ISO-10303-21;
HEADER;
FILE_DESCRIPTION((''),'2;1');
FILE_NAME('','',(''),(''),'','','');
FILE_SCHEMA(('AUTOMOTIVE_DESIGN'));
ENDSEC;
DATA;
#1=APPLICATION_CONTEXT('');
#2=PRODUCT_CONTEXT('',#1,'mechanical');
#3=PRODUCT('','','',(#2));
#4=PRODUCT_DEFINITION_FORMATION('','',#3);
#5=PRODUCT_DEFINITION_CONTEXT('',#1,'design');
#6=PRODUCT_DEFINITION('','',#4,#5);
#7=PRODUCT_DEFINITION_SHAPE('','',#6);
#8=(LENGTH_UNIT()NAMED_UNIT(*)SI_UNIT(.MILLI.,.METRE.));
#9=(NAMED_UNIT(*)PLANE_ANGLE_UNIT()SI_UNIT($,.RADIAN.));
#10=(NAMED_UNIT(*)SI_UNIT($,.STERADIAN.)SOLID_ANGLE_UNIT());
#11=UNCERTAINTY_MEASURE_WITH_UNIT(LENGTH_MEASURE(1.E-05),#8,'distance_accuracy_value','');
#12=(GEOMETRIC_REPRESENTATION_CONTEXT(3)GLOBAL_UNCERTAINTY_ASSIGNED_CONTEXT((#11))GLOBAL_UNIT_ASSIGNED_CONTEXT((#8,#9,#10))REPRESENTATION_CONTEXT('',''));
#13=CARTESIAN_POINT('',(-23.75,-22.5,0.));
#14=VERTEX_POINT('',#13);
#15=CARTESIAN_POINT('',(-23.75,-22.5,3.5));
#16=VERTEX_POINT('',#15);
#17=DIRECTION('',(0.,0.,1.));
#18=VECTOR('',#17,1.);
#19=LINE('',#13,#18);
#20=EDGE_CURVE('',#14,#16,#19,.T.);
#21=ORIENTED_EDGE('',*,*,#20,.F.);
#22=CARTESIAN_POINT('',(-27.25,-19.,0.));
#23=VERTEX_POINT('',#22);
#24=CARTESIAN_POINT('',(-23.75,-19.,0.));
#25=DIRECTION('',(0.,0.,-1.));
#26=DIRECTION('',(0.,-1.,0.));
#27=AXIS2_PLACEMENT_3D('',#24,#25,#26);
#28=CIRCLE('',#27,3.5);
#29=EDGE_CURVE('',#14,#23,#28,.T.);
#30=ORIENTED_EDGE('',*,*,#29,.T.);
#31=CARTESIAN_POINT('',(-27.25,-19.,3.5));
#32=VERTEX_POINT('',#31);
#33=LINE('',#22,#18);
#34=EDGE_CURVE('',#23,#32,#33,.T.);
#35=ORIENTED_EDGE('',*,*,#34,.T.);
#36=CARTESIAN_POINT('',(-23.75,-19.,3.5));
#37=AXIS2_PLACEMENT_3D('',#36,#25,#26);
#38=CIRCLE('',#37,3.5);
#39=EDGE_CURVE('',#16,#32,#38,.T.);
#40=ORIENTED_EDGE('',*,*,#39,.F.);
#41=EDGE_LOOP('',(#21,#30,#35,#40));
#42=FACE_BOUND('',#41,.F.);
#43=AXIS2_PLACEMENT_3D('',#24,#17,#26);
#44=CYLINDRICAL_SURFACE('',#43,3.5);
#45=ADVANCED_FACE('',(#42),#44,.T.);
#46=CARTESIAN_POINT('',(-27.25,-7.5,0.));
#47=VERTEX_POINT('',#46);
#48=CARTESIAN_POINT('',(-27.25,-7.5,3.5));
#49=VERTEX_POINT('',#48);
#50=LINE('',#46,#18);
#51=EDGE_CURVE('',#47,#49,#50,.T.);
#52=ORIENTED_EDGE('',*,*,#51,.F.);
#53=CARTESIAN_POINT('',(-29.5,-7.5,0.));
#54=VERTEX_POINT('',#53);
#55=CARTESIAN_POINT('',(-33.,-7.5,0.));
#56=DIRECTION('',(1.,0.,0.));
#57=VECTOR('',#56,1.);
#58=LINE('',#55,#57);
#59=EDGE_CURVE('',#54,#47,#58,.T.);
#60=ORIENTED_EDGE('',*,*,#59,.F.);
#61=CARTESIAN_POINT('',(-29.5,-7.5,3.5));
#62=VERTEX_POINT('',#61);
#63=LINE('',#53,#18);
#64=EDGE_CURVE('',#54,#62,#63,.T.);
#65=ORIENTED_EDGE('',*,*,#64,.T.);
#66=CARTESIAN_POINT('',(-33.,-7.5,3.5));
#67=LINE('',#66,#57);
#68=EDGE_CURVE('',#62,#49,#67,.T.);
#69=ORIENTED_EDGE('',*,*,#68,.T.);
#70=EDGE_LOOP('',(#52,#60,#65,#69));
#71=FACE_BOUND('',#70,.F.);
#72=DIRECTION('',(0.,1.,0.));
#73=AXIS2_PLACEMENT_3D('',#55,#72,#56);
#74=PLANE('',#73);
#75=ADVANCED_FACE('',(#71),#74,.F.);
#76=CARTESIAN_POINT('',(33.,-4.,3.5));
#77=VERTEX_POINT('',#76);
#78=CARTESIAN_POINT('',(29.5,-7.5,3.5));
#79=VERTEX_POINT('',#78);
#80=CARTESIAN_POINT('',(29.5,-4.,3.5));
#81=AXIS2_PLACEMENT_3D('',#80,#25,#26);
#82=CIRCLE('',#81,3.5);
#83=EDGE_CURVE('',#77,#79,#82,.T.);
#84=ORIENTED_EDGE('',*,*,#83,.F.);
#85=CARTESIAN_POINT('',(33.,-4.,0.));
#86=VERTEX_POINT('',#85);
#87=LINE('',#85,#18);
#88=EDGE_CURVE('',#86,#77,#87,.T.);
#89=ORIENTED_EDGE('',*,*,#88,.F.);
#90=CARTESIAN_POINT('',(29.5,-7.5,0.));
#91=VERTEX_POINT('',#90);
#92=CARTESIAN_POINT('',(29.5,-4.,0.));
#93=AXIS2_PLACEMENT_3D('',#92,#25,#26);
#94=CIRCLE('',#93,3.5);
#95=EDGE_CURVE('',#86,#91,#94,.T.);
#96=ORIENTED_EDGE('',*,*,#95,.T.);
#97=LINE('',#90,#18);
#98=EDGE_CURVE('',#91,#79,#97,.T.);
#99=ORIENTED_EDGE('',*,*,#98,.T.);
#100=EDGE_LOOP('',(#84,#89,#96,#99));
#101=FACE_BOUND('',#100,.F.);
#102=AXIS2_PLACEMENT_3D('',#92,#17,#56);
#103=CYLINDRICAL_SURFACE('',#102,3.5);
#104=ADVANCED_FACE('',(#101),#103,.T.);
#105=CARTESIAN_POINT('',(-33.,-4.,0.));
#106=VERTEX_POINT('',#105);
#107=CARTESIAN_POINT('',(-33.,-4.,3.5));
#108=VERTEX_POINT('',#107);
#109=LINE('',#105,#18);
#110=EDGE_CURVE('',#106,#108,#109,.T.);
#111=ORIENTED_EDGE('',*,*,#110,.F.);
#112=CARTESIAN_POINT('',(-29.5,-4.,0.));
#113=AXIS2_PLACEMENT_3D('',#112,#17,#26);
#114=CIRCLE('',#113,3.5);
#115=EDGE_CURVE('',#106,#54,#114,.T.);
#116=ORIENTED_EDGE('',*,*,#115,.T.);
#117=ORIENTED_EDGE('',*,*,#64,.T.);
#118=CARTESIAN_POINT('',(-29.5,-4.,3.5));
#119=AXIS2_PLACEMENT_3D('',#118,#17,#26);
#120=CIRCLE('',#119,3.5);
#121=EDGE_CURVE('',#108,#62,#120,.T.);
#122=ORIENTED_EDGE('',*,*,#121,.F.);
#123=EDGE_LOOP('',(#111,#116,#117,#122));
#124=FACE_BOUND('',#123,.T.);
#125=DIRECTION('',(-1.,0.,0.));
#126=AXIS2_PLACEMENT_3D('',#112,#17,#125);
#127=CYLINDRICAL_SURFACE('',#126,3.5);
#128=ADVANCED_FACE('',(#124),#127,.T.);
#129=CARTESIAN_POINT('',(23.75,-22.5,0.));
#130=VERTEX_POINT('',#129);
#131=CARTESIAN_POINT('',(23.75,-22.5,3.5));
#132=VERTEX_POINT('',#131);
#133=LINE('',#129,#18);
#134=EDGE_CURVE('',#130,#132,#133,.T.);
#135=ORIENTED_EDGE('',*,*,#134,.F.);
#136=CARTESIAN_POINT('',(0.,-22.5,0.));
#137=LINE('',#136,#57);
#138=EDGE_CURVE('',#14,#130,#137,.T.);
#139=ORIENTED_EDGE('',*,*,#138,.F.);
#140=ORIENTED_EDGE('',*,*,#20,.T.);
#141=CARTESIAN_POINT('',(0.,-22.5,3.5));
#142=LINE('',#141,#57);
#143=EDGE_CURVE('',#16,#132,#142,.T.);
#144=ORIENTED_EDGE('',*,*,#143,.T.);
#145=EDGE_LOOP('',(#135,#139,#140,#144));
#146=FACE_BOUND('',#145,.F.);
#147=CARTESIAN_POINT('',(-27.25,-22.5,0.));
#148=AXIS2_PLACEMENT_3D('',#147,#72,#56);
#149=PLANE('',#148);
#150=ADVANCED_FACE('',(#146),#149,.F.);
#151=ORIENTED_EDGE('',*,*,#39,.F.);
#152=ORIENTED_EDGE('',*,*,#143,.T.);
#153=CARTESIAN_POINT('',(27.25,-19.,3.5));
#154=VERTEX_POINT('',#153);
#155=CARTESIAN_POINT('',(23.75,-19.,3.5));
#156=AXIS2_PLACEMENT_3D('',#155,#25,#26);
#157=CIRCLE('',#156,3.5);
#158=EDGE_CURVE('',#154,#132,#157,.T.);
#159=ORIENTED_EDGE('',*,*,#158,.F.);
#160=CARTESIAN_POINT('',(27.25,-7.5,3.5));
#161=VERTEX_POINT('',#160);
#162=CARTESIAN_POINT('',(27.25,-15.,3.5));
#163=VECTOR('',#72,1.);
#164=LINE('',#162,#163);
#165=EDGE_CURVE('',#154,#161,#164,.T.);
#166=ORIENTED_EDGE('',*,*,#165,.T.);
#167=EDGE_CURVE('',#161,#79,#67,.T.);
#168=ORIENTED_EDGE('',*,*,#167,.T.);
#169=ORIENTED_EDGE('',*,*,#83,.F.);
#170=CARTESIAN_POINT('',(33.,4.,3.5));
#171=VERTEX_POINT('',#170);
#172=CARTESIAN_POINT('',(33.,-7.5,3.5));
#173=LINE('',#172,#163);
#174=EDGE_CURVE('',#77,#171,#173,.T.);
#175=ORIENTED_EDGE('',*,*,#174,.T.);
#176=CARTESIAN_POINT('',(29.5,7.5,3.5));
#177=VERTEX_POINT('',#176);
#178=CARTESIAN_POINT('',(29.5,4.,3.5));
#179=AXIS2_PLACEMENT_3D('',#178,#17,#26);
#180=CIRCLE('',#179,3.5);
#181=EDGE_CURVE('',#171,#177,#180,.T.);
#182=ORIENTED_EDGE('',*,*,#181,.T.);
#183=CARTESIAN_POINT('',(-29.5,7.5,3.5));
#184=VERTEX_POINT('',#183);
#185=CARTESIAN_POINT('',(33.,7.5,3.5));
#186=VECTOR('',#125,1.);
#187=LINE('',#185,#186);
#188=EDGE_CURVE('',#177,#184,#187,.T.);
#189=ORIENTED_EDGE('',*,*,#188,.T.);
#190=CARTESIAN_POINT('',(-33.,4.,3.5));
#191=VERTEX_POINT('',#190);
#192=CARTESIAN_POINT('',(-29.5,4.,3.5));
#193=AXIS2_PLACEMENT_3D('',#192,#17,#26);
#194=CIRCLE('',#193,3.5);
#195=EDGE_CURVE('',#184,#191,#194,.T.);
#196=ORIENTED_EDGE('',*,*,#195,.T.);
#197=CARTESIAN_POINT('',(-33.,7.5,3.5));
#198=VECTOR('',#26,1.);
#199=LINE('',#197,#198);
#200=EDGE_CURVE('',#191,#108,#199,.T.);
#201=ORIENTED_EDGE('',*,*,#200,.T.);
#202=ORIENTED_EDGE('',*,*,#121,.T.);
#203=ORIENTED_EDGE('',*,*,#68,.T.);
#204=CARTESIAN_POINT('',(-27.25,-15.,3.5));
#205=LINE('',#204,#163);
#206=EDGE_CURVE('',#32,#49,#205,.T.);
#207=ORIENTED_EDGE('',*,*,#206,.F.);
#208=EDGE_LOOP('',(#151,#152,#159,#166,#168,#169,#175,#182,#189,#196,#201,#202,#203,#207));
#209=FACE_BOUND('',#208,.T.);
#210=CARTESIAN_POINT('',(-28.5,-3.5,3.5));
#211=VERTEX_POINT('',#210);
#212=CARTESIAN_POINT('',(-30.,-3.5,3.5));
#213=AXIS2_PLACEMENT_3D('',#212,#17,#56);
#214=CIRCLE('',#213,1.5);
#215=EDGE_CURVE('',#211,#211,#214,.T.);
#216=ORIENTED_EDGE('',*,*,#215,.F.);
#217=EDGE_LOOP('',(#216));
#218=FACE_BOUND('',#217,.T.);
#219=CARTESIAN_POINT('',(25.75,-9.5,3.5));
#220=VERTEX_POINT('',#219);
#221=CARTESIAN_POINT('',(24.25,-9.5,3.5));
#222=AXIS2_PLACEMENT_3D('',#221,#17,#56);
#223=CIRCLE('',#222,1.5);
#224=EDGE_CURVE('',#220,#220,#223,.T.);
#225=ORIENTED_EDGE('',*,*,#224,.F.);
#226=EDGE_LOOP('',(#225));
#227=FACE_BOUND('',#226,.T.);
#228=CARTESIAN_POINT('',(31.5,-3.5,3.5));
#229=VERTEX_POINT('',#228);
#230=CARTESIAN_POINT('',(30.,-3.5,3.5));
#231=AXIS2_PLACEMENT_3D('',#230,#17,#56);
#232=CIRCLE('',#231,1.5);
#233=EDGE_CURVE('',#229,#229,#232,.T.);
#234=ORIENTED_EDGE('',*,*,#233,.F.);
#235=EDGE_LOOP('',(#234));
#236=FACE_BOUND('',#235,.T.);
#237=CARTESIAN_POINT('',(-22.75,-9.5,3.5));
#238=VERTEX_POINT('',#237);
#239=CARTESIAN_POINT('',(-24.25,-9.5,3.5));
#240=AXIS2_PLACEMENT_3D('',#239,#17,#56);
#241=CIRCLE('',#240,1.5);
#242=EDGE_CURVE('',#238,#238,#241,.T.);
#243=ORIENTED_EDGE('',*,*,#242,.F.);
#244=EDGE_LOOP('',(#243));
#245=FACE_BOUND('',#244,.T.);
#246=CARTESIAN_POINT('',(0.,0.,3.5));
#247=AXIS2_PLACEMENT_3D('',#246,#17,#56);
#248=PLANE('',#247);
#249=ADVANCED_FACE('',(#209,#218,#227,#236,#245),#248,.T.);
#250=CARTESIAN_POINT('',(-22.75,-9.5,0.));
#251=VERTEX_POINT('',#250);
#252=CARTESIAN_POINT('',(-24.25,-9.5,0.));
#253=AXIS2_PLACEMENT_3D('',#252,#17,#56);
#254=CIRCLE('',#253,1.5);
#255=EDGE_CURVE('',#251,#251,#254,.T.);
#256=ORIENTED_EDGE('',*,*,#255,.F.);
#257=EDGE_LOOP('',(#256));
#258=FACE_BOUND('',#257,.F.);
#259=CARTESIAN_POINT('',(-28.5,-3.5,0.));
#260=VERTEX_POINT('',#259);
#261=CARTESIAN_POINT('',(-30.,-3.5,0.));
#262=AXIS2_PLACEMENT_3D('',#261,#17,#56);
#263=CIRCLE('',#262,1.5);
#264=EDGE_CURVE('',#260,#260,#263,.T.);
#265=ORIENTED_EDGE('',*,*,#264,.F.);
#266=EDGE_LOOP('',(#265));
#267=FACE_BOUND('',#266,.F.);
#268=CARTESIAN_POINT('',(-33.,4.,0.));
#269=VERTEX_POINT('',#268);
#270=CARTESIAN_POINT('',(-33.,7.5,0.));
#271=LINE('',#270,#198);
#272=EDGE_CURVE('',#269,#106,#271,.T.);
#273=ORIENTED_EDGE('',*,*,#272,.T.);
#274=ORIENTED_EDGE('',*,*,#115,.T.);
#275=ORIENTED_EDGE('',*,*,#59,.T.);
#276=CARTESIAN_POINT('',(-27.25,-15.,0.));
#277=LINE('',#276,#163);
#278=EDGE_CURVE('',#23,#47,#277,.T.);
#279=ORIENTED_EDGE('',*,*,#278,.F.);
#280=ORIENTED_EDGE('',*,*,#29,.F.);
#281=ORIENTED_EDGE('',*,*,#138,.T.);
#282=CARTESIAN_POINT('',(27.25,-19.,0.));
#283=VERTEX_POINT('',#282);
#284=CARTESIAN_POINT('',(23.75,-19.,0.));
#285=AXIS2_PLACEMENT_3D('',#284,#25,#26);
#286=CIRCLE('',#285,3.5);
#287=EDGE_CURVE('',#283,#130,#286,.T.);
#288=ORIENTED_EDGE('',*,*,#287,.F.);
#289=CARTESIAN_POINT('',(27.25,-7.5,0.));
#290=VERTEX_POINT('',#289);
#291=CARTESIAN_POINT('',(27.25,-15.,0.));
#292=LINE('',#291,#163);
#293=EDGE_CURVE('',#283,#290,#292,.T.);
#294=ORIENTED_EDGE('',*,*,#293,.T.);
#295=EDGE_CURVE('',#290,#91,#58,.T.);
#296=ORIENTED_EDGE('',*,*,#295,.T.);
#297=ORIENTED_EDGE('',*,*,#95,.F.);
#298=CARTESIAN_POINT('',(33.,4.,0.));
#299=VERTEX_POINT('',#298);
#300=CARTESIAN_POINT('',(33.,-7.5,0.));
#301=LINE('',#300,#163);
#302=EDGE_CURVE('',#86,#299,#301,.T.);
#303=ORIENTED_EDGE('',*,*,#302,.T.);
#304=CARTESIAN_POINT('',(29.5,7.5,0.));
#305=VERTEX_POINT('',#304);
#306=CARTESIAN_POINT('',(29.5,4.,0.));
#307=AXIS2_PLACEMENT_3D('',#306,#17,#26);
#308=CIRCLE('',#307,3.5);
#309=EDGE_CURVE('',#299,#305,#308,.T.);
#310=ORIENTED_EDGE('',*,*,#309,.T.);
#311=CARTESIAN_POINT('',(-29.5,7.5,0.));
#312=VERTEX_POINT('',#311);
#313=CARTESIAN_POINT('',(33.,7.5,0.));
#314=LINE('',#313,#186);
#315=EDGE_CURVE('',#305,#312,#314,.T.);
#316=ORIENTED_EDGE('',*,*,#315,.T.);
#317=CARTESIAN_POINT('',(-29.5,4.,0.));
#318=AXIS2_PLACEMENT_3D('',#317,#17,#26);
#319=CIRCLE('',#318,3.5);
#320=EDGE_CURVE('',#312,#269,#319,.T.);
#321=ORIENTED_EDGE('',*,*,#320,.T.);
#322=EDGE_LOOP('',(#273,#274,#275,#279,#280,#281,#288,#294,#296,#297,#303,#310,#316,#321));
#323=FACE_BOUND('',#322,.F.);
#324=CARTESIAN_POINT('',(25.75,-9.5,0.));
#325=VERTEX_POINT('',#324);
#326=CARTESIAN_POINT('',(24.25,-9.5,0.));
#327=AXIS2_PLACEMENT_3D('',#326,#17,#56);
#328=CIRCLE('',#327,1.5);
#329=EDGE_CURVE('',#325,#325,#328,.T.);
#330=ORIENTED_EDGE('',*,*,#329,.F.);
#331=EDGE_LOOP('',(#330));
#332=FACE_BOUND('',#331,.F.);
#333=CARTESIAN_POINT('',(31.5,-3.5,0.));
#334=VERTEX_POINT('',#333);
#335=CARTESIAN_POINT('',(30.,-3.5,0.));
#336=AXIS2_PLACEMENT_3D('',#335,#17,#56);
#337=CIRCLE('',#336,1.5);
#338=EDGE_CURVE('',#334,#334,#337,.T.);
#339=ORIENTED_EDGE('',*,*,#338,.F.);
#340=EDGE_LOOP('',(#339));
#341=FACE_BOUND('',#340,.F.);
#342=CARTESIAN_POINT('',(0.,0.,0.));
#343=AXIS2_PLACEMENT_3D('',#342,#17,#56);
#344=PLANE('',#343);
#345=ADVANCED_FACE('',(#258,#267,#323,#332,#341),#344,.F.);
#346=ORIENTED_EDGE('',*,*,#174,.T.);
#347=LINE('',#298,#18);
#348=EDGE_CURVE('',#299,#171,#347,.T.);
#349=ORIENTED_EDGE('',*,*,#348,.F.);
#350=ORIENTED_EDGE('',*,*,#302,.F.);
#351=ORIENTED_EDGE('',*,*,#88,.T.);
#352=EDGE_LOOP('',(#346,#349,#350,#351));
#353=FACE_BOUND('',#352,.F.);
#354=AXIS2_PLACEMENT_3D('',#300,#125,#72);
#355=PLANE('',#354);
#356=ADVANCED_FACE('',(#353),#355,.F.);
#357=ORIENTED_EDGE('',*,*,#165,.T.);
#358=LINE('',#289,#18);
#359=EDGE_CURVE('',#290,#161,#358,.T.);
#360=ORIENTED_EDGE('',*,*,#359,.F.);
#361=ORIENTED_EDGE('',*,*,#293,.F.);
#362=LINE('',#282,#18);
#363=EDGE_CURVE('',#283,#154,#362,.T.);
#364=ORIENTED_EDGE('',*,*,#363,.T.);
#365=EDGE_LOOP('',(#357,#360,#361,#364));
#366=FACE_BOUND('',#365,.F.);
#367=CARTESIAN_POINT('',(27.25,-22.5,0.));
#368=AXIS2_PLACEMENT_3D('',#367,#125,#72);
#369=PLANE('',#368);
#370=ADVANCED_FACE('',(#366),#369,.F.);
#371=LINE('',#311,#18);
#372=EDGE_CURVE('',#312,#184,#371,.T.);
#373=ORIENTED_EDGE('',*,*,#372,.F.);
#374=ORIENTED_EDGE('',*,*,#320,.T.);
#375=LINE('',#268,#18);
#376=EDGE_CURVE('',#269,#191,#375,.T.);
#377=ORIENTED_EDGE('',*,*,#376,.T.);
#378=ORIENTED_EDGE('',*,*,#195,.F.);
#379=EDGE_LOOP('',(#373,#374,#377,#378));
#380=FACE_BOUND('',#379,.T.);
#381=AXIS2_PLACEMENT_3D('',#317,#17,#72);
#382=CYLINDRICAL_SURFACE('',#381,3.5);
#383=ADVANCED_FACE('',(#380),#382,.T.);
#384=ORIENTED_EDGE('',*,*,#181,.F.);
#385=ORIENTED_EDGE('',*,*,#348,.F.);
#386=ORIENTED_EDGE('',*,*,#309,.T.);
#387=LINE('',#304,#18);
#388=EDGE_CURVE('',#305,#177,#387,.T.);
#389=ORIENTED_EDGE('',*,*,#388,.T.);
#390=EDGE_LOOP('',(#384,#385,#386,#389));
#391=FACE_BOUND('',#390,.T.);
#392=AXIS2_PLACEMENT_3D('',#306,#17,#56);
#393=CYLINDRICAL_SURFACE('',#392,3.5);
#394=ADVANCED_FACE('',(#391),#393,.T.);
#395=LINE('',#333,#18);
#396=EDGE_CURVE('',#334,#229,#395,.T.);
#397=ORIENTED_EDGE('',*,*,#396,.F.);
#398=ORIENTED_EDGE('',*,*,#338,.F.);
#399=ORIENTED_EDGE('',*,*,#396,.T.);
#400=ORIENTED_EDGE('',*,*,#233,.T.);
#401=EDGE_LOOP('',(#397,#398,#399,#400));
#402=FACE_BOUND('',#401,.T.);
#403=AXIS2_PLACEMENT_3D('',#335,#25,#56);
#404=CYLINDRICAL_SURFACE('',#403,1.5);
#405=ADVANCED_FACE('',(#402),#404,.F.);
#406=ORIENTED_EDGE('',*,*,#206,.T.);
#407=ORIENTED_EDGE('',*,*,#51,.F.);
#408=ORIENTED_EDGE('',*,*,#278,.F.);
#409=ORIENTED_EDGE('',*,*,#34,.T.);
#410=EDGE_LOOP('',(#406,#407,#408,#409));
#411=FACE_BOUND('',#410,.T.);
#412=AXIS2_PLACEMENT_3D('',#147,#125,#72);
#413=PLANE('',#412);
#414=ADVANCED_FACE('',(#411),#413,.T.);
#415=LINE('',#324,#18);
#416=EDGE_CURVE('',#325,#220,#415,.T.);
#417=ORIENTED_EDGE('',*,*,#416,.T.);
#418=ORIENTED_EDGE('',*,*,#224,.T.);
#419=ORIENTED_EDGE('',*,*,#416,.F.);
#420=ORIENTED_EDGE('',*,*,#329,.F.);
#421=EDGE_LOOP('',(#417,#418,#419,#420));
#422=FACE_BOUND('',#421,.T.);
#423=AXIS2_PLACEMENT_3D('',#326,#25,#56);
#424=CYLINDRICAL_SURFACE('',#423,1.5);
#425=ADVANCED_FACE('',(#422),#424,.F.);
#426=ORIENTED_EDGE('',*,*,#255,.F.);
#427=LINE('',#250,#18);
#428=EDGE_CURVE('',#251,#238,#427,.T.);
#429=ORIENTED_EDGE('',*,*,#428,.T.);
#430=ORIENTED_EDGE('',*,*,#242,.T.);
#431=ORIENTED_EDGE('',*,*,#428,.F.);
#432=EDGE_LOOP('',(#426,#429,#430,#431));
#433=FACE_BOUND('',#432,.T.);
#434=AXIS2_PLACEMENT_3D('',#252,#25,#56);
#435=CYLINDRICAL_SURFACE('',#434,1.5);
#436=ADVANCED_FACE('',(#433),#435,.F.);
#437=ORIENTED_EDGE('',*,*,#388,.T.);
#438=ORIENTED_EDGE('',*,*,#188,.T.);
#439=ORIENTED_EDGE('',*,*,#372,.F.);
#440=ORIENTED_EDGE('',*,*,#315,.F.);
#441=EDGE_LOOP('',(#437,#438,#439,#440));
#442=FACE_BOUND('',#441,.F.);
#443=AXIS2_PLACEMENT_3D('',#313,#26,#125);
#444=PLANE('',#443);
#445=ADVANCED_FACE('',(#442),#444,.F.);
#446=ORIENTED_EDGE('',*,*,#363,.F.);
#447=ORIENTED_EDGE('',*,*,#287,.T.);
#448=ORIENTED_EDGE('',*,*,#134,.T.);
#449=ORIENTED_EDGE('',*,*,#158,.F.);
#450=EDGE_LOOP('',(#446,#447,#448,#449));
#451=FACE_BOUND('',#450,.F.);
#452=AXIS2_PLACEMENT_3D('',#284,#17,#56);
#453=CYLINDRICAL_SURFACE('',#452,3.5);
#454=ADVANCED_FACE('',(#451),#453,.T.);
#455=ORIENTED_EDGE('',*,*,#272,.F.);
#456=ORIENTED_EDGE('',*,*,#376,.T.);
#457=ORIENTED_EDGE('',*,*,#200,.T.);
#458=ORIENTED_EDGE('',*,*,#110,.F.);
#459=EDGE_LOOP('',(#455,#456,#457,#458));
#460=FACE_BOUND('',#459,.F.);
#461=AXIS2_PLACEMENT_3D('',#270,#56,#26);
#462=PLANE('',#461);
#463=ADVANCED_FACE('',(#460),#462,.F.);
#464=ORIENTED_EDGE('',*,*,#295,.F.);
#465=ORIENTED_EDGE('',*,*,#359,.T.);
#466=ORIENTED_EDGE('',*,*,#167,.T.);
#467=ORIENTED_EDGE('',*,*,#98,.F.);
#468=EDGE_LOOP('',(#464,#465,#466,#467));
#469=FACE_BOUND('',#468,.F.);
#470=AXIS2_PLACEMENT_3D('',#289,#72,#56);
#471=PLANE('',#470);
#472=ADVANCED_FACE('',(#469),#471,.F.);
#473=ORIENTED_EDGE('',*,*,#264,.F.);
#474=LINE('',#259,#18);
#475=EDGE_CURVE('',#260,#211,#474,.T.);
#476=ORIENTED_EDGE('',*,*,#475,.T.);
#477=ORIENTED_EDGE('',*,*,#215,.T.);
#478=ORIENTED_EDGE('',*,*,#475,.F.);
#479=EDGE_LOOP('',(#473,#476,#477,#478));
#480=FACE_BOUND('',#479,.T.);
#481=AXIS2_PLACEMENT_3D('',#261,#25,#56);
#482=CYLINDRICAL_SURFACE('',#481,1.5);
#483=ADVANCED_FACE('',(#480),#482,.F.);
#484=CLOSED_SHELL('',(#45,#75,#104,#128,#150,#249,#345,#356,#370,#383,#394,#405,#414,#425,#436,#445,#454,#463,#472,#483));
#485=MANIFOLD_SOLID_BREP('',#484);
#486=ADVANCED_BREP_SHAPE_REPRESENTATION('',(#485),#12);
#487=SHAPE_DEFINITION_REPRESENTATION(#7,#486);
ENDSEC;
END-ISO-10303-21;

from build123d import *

# Parameters (mm, degrees)
F0_R     = 1.5
F0_W     = 54.5
F0_H     = 15
F1_DEPTH = 3.5
F2_R     = 3.5


with BuildPart() as f1:
    # F0 (on Top) → F1 (new body)
    with BuildSketch(Plane.XY):
        Polygon((27.25, -7.5), (33, -7.5), (33, 7.5), (-33, 7.5), (-33, -7.5), (-27.25, -7.5), align=None)
        with Locations((-30, -3.5)):
            Circle(F0_R, mode=Mode.SUBTRACT)
        with Locations((30, -3.5)):
            Circle(F0_R, mode=Mode.SUBTRACT)
        with Locations((0, -15)):
            Rectangle(F0_W, F0_H)
        with Locations((-24.25, -9.5)):
            Circle(F0_R, mode=Mode.SUBTRACT)
        with Locations((24.25, -9.5)):
            Circle(F0_R, mode=Mode.SUBTRACT)
    extrude(amount=F1_DEPTH)

    # F2
    f2_edges = [f1.edges().sort_by_distance(p)[0] for p in [
        (-33, 7.5, 1.75),
        (33, 7.5, 1.75),
        (27.25, -22.5, 1.75),
        (-27.25, -22.5, 1.75),
        (33, -7.5, 1.75),
        (-33, -7.5, 1.75),
    ]]
    fillet(f2_edges, radius=F2_R)


solid = f1.part
